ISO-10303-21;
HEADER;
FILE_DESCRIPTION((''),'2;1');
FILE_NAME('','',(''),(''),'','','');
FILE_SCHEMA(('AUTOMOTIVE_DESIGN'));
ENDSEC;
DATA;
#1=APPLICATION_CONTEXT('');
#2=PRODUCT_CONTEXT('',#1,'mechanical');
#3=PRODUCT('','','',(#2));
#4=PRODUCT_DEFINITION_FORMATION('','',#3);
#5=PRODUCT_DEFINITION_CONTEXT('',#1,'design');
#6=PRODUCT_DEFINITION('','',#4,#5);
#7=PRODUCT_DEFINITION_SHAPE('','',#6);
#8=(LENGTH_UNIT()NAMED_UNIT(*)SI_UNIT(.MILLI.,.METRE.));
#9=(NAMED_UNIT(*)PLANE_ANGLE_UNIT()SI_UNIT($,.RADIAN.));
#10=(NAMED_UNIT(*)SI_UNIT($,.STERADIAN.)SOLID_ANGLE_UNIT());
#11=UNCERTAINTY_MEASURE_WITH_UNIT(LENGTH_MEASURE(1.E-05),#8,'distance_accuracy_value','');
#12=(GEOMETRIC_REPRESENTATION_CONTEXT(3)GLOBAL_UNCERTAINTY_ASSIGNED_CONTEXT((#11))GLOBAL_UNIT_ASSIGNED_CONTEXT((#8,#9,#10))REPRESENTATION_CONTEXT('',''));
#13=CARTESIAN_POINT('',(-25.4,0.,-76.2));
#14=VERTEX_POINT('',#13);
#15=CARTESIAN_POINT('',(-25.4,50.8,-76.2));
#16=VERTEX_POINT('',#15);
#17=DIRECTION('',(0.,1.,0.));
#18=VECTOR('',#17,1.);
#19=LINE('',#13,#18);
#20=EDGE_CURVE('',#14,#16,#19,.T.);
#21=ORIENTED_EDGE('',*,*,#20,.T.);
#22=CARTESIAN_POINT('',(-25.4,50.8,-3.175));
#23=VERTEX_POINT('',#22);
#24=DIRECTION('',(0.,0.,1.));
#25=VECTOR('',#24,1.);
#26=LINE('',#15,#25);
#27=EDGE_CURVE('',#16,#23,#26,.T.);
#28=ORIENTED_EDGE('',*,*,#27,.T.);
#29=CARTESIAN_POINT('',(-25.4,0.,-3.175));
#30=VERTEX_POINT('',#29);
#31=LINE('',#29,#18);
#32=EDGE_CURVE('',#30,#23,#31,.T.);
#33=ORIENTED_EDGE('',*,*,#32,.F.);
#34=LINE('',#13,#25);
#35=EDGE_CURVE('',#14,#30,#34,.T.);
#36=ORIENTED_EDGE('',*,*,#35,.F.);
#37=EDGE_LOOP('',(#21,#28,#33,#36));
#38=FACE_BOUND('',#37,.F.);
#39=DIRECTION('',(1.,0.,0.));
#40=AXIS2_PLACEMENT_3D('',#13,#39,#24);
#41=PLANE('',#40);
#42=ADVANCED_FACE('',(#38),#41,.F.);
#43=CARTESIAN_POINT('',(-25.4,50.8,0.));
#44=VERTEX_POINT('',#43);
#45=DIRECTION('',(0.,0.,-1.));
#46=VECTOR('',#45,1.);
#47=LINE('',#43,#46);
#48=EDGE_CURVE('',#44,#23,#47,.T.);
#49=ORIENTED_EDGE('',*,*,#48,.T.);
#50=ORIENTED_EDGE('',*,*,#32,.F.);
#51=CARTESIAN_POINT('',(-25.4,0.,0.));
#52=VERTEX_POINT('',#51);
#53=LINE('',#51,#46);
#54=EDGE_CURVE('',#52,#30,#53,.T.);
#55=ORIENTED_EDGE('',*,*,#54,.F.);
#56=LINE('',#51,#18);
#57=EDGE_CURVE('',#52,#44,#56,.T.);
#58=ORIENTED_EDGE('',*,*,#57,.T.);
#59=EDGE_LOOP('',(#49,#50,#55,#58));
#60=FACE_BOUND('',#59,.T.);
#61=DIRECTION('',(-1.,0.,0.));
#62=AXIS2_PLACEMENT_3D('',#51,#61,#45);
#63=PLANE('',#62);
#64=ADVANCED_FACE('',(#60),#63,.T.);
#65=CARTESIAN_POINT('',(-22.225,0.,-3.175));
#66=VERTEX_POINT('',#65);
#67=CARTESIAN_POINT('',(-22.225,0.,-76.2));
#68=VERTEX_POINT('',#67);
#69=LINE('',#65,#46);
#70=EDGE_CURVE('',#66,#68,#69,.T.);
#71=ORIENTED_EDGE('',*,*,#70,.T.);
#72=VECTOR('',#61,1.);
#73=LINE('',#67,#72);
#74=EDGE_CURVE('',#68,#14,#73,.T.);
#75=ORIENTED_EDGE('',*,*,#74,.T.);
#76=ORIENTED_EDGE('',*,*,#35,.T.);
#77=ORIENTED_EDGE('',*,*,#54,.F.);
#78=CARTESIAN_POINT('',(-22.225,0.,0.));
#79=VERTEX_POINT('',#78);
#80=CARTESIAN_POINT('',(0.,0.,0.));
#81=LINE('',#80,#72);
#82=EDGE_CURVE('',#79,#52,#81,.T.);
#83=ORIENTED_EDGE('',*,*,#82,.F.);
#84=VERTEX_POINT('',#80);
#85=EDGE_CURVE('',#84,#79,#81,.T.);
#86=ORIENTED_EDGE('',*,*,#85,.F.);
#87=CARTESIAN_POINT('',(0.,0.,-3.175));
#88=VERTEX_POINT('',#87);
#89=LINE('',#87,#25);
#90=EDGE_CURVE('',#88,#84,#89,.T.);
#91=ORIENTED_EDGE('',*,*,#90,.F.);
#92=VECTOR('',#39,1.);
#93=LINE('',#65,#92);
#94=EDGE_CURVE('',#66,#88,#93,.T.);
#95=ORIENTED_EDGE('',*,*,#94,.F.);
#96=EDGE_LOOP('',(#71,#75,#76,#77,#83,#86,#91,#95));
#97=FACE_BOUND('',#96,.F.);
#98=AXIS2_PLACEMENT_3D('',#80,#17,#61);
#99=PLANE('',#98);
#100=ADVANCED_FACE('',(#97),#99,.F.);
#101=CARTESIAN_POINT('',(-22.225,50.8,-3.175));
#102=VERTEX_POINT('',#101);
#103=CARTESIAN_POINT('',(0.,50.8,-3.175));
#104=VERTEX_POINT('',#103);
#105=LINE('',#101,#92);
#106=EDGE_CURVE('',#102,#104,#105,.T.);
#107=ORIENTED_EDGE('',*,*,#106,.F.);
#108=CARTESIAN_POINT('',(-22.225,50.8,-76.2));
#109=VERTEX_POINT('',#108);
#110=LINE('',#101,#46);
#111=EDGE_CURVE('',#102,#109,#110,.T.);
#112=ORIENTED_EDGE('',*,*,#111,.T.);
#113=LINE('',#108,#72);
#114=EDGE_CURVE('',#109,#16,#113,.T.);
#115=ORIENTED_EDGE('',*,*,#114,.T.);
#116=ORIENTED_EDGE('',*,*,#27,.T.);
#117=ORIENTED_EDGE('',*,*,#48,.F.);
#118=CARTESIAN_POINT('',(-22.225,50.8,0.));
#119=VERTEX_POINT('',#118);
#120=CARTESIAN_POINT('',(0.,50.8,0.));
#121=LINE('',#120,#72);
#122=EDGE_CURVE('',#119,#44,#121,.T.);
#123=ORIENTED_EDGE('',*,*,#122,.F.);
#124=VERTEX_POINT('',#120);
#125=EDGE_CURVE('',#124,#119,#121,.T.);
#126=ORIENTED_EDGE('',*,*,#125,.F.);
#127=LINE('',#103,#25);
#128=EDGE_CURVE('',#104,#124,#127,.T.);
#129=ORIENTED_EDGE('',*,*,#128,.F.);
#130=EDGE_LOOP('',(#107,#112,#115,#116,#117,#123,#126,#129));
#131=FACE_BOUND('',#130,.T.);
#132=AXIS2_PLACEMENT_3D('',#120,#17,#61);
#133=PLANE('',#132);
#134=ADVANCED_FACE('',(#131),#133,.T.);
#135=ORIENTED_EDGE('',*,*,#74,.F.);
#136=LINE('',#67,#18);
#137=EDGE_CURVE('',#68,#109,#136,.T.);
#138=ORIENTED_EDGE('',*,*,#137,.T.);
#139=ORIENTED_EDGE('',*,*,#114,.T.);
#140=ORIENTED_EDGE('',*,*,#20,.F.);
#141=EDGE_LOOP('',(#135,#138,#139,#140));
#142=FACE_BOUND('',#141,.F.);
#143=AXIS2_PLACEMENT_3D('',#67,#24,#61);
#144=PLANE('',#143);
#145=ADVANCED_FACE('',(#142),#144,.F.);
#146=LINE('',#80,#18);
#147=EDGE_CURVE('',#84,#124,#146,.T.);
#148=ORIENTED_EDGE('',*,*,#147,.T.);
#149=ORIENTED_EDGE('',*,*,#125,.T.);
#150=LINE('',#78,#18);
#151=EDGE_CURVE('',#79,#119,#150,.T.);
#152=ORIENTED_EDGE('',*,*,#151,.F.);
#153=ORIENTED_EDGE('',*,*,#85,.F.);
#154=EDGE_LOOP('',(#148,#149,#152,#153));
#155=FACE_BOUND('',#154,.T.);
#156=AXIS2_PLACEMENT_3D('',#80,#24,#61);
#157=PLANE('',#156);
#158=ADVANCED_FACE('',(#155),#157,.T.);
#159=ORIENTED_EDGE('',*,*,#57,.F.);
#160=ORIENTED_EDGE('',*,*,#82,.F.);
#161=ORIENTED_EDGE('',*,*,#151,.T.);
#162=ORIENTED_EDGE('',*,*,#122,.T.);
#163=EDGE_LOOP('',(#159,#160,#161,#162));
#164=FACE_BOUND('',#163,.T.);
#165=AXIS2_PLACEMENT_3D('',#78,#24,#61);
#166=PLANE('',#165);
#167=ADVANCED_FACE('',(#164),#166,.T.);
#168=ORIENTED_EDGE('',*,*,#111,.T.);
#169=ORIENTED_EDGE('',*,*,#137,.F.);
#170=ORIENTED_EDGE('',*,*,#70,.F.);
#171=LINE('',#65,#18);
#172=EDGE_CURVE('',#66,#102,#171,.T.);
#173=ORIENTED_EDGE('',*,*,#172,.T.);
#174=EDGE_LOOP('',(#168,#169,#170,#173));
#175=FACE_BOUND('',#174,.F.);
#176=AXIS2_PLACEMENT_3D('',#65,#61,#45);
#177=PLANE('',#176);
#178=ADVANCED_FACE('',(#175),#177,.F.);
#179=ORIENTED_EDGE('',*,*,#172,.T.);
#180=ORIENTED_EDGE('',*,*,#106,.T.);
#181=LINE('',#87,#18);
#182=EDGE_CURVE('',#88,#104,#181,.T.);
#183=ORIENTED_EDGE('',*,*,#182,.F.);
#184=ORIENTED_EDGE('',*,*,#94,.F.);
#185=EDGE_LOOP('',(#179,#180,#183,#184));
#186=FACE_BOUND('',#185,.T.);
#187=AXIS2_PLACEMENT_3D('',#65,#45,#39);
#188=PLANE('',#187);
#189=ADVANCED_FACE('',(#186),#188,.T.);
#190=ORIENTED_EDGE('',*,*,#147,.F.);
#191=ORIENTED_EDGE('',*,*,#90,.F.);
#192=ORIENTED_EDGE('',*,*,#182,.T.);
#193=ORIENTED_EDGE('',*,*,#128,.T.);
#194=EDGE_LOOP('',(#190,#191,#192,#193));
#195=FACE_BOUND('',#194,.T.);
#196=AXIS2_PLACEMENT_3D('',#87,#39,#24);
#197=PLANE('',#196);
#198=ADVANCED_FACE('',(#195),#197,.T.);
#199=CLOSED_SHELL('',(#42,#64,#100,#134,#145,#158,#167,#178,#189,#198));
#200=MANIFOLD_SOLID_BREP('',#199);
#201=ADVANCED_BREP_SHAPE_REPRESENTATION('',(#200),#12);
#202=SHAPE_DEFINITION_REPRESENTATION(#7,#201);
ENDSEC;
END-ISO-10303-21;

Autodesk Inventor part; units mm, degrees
ref_plane "YZ Plane" through (0, 0, 0) normal (1, 0, 0) x (0, 1, 0)
ref_plane "XZ Plane" through (0, 0, 0) normal (0, 1, 0) x (-1, 0, 0)
ref_plane "XY Plane" through (0, 0, 0) normal (0, 0, 1) x (1, 0, 0)
sketch "Sketch2" plane through (0, 0, 0) normal (0, 1, 0) x (-1, 0, 0)
  line L0 (0, 0) -> (25.4, 0)
  line L1 (25.4, 0) -> (25.4, -3.175)
  line L2 (22.225, -3.175) -> (0, -3.175)
  line L3 (0, -3.175) -> (0, 0)
  line L4 (25.4, 0) -> (22.225, 0)
  line L5 (22.225, -3.175) -> (22.225, -76.2)
  line L6 (22.225, -76.2) -> (25.4, -76.2)
  line L7 (25.4, -76.2) -> (25.4, 0)
  dimension "d4" = 3.175
  dimension "d5" = 3.175
  dimension "d6" = 25.4
  dimension "d7" = 76.2
extrude "Extrusion1" add sketch "Sketch2" along normal blind 50.8
properties part number "KillSwitchSupport"
